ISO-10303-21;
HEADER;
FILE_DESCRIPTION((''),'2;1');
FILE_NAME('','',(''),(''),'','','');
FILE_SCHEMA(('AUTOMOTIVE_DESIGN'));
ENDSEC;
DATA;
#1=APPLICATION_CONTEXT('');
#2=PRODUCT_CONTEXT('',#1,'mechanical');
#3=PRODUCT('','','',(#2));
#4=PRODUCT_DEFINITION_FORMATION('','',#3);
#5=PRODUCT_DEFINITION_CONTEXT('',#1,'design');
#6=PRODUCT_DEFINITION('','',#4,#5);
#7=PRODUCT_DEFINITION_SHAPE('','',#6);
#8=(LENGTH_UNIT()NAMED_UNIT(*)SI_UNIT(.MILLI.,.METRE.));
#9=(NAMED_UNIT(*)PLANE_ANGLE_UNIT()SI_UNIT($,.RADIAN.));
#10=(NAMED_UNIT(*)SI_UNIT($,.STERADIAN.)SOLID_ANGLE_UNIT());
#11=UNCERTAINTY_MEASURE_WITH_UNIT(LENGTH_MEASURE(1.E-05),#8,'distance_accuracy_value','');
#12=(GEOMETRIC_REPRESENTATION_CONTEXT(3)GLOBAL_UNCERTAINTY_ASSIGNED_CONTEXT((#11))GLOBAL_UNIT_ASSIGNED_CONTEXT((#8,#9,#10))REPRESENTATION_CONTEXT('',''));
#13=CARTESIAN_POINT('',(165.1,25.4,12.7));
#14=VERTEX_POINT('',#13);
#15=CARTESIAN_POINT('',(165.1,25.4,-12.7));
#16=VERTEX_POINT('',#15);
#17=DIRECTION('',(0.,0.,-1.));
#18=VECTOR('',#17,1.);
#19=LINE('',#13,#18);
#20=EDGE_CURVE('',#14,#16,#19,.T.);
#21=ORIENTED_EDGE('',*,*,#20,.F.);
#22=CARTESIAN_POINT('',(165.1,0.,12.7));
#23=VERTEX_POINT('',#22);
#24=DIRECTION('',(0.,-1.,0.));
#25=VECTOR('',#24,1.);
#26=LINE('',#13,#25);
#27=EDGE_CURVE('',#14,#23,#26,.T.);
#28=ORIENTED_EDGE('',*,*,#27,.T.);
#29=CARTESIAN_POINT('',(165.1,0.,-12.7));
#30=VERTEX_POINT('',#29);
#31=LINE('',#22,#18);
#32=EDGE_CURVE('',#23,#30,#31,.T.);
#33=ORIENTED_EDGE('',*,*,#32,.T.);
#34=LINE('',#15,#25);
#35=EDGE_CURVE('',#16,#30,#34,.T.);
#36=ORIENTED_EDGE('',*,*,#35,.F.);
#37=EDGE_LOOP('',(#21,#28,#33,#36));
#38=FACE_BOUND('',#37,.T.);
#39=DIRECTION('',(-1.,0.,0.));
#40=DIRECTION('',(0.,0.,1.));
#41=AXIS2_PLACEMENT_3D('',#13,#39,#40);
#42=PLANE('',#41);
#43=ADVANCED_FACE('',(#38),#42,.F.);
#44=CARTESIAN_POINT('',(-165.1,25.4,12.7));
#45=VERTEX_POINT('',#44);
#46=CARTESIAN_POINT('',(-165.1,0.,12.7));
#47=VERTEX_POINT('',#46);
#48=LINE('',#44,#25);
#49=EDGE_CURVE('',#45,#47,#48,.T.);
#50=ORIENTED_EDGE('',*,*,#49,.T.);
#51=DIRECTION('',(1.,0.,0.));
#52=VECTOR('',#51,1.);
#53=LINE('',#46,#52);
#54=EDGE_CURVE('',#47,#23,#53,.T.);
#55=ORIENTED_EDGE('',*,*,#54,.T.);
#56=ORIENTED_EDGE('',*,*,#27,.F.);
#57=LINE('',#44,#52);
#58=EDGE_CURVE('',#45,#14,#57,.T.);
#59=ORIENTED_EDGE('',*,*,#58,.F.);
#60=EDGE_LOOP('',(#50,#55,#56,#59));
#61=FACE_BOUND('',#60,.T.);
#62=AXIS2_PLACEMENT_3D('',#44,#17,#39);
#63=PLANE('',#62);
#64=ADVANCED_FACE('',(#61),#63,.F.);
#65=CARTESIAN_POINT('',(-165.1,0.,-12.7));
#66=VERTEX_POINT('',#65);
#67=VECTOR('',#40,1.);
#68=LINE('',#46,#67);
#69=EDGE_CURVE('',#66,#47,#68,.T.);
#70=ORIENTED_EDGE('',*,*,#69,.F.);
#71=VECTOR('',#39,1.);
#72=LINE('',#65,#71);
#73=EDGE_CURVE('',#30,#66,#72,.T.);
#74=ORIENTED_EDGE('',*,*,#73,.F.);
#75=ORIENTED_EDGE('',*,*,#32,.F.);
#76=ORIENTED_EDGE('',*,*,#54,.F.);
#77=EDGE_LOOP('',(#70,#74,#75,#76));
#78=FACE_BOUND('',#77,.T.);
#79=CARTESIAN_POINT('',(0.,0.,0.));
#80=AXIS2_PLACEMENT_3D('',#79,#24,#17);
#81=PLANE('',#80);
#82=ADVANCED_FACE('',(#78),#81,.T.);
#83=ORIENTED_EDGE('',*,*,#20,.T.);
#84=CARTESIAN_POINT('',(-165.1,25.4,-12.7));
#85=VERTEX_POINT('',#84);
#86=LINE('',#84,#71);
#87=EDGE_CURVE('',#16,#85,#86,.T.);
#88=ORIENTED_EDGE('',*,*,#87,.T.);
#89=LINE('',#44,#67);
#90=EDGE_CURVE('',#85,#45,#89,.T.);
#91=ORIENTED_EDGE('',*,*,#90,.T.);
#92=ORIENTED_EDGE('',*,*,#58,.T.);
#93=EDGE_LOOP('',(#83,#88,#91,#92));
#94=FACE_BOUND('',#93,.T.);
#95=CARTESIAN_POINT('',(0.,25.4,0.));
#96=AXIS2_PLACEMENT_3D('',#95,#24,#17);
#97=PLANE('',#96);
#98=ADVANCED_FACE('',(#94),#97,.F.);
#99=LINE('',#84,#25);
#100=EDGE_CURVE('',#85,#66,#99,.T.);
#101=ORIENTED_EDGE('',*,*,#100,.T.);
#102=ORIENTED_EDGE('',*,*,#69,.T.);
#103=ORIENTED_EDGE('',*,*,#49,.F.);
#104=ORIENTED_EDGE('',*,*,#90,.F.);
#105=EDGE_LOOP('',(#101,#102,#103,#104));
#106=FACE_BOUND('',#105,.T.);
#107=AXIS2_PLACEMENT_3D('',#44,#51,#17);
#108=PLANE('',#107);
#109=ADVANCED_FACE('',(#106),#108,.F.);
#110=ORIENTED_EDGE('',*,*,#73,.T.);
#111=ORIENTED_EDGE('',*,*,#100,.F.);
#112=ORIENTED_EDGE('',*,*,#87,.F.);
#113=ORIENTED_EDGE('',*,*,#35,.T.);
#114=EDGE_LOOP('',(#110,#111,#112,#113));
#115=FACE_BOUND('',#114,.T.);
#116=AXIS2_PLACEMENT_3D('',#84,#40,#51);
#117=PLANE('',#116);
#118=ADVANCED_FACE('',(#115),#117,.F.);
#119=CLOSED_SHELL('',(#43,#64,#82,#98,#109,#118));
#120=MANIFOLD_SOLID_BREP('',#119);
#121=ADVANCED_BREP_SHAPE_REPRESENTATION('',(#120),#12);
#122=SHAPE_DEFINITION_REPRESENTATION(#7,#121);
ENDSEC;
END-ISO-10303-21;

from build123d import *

# Parameters (mm, degrees)
SKETCH1_W           = 330.2
SKETCH1_H           = 25.4
BOSS_EXTRUDE1_DEPTH = 25.4


with BuildPart() as part:
    # Sketch1 → Boss-Extrude1 (new body)
    with BuildSketch(Plane(origin=(0, 0, 0), x_dir=(1, 0, 0), z_dir=(0, 1, 0))):
        Rectangle(SKETCH1_W, SKETCH1_H)
    extrude(amount=BOSS_EXTRUDE1_DEPTH)


solid = part.part
